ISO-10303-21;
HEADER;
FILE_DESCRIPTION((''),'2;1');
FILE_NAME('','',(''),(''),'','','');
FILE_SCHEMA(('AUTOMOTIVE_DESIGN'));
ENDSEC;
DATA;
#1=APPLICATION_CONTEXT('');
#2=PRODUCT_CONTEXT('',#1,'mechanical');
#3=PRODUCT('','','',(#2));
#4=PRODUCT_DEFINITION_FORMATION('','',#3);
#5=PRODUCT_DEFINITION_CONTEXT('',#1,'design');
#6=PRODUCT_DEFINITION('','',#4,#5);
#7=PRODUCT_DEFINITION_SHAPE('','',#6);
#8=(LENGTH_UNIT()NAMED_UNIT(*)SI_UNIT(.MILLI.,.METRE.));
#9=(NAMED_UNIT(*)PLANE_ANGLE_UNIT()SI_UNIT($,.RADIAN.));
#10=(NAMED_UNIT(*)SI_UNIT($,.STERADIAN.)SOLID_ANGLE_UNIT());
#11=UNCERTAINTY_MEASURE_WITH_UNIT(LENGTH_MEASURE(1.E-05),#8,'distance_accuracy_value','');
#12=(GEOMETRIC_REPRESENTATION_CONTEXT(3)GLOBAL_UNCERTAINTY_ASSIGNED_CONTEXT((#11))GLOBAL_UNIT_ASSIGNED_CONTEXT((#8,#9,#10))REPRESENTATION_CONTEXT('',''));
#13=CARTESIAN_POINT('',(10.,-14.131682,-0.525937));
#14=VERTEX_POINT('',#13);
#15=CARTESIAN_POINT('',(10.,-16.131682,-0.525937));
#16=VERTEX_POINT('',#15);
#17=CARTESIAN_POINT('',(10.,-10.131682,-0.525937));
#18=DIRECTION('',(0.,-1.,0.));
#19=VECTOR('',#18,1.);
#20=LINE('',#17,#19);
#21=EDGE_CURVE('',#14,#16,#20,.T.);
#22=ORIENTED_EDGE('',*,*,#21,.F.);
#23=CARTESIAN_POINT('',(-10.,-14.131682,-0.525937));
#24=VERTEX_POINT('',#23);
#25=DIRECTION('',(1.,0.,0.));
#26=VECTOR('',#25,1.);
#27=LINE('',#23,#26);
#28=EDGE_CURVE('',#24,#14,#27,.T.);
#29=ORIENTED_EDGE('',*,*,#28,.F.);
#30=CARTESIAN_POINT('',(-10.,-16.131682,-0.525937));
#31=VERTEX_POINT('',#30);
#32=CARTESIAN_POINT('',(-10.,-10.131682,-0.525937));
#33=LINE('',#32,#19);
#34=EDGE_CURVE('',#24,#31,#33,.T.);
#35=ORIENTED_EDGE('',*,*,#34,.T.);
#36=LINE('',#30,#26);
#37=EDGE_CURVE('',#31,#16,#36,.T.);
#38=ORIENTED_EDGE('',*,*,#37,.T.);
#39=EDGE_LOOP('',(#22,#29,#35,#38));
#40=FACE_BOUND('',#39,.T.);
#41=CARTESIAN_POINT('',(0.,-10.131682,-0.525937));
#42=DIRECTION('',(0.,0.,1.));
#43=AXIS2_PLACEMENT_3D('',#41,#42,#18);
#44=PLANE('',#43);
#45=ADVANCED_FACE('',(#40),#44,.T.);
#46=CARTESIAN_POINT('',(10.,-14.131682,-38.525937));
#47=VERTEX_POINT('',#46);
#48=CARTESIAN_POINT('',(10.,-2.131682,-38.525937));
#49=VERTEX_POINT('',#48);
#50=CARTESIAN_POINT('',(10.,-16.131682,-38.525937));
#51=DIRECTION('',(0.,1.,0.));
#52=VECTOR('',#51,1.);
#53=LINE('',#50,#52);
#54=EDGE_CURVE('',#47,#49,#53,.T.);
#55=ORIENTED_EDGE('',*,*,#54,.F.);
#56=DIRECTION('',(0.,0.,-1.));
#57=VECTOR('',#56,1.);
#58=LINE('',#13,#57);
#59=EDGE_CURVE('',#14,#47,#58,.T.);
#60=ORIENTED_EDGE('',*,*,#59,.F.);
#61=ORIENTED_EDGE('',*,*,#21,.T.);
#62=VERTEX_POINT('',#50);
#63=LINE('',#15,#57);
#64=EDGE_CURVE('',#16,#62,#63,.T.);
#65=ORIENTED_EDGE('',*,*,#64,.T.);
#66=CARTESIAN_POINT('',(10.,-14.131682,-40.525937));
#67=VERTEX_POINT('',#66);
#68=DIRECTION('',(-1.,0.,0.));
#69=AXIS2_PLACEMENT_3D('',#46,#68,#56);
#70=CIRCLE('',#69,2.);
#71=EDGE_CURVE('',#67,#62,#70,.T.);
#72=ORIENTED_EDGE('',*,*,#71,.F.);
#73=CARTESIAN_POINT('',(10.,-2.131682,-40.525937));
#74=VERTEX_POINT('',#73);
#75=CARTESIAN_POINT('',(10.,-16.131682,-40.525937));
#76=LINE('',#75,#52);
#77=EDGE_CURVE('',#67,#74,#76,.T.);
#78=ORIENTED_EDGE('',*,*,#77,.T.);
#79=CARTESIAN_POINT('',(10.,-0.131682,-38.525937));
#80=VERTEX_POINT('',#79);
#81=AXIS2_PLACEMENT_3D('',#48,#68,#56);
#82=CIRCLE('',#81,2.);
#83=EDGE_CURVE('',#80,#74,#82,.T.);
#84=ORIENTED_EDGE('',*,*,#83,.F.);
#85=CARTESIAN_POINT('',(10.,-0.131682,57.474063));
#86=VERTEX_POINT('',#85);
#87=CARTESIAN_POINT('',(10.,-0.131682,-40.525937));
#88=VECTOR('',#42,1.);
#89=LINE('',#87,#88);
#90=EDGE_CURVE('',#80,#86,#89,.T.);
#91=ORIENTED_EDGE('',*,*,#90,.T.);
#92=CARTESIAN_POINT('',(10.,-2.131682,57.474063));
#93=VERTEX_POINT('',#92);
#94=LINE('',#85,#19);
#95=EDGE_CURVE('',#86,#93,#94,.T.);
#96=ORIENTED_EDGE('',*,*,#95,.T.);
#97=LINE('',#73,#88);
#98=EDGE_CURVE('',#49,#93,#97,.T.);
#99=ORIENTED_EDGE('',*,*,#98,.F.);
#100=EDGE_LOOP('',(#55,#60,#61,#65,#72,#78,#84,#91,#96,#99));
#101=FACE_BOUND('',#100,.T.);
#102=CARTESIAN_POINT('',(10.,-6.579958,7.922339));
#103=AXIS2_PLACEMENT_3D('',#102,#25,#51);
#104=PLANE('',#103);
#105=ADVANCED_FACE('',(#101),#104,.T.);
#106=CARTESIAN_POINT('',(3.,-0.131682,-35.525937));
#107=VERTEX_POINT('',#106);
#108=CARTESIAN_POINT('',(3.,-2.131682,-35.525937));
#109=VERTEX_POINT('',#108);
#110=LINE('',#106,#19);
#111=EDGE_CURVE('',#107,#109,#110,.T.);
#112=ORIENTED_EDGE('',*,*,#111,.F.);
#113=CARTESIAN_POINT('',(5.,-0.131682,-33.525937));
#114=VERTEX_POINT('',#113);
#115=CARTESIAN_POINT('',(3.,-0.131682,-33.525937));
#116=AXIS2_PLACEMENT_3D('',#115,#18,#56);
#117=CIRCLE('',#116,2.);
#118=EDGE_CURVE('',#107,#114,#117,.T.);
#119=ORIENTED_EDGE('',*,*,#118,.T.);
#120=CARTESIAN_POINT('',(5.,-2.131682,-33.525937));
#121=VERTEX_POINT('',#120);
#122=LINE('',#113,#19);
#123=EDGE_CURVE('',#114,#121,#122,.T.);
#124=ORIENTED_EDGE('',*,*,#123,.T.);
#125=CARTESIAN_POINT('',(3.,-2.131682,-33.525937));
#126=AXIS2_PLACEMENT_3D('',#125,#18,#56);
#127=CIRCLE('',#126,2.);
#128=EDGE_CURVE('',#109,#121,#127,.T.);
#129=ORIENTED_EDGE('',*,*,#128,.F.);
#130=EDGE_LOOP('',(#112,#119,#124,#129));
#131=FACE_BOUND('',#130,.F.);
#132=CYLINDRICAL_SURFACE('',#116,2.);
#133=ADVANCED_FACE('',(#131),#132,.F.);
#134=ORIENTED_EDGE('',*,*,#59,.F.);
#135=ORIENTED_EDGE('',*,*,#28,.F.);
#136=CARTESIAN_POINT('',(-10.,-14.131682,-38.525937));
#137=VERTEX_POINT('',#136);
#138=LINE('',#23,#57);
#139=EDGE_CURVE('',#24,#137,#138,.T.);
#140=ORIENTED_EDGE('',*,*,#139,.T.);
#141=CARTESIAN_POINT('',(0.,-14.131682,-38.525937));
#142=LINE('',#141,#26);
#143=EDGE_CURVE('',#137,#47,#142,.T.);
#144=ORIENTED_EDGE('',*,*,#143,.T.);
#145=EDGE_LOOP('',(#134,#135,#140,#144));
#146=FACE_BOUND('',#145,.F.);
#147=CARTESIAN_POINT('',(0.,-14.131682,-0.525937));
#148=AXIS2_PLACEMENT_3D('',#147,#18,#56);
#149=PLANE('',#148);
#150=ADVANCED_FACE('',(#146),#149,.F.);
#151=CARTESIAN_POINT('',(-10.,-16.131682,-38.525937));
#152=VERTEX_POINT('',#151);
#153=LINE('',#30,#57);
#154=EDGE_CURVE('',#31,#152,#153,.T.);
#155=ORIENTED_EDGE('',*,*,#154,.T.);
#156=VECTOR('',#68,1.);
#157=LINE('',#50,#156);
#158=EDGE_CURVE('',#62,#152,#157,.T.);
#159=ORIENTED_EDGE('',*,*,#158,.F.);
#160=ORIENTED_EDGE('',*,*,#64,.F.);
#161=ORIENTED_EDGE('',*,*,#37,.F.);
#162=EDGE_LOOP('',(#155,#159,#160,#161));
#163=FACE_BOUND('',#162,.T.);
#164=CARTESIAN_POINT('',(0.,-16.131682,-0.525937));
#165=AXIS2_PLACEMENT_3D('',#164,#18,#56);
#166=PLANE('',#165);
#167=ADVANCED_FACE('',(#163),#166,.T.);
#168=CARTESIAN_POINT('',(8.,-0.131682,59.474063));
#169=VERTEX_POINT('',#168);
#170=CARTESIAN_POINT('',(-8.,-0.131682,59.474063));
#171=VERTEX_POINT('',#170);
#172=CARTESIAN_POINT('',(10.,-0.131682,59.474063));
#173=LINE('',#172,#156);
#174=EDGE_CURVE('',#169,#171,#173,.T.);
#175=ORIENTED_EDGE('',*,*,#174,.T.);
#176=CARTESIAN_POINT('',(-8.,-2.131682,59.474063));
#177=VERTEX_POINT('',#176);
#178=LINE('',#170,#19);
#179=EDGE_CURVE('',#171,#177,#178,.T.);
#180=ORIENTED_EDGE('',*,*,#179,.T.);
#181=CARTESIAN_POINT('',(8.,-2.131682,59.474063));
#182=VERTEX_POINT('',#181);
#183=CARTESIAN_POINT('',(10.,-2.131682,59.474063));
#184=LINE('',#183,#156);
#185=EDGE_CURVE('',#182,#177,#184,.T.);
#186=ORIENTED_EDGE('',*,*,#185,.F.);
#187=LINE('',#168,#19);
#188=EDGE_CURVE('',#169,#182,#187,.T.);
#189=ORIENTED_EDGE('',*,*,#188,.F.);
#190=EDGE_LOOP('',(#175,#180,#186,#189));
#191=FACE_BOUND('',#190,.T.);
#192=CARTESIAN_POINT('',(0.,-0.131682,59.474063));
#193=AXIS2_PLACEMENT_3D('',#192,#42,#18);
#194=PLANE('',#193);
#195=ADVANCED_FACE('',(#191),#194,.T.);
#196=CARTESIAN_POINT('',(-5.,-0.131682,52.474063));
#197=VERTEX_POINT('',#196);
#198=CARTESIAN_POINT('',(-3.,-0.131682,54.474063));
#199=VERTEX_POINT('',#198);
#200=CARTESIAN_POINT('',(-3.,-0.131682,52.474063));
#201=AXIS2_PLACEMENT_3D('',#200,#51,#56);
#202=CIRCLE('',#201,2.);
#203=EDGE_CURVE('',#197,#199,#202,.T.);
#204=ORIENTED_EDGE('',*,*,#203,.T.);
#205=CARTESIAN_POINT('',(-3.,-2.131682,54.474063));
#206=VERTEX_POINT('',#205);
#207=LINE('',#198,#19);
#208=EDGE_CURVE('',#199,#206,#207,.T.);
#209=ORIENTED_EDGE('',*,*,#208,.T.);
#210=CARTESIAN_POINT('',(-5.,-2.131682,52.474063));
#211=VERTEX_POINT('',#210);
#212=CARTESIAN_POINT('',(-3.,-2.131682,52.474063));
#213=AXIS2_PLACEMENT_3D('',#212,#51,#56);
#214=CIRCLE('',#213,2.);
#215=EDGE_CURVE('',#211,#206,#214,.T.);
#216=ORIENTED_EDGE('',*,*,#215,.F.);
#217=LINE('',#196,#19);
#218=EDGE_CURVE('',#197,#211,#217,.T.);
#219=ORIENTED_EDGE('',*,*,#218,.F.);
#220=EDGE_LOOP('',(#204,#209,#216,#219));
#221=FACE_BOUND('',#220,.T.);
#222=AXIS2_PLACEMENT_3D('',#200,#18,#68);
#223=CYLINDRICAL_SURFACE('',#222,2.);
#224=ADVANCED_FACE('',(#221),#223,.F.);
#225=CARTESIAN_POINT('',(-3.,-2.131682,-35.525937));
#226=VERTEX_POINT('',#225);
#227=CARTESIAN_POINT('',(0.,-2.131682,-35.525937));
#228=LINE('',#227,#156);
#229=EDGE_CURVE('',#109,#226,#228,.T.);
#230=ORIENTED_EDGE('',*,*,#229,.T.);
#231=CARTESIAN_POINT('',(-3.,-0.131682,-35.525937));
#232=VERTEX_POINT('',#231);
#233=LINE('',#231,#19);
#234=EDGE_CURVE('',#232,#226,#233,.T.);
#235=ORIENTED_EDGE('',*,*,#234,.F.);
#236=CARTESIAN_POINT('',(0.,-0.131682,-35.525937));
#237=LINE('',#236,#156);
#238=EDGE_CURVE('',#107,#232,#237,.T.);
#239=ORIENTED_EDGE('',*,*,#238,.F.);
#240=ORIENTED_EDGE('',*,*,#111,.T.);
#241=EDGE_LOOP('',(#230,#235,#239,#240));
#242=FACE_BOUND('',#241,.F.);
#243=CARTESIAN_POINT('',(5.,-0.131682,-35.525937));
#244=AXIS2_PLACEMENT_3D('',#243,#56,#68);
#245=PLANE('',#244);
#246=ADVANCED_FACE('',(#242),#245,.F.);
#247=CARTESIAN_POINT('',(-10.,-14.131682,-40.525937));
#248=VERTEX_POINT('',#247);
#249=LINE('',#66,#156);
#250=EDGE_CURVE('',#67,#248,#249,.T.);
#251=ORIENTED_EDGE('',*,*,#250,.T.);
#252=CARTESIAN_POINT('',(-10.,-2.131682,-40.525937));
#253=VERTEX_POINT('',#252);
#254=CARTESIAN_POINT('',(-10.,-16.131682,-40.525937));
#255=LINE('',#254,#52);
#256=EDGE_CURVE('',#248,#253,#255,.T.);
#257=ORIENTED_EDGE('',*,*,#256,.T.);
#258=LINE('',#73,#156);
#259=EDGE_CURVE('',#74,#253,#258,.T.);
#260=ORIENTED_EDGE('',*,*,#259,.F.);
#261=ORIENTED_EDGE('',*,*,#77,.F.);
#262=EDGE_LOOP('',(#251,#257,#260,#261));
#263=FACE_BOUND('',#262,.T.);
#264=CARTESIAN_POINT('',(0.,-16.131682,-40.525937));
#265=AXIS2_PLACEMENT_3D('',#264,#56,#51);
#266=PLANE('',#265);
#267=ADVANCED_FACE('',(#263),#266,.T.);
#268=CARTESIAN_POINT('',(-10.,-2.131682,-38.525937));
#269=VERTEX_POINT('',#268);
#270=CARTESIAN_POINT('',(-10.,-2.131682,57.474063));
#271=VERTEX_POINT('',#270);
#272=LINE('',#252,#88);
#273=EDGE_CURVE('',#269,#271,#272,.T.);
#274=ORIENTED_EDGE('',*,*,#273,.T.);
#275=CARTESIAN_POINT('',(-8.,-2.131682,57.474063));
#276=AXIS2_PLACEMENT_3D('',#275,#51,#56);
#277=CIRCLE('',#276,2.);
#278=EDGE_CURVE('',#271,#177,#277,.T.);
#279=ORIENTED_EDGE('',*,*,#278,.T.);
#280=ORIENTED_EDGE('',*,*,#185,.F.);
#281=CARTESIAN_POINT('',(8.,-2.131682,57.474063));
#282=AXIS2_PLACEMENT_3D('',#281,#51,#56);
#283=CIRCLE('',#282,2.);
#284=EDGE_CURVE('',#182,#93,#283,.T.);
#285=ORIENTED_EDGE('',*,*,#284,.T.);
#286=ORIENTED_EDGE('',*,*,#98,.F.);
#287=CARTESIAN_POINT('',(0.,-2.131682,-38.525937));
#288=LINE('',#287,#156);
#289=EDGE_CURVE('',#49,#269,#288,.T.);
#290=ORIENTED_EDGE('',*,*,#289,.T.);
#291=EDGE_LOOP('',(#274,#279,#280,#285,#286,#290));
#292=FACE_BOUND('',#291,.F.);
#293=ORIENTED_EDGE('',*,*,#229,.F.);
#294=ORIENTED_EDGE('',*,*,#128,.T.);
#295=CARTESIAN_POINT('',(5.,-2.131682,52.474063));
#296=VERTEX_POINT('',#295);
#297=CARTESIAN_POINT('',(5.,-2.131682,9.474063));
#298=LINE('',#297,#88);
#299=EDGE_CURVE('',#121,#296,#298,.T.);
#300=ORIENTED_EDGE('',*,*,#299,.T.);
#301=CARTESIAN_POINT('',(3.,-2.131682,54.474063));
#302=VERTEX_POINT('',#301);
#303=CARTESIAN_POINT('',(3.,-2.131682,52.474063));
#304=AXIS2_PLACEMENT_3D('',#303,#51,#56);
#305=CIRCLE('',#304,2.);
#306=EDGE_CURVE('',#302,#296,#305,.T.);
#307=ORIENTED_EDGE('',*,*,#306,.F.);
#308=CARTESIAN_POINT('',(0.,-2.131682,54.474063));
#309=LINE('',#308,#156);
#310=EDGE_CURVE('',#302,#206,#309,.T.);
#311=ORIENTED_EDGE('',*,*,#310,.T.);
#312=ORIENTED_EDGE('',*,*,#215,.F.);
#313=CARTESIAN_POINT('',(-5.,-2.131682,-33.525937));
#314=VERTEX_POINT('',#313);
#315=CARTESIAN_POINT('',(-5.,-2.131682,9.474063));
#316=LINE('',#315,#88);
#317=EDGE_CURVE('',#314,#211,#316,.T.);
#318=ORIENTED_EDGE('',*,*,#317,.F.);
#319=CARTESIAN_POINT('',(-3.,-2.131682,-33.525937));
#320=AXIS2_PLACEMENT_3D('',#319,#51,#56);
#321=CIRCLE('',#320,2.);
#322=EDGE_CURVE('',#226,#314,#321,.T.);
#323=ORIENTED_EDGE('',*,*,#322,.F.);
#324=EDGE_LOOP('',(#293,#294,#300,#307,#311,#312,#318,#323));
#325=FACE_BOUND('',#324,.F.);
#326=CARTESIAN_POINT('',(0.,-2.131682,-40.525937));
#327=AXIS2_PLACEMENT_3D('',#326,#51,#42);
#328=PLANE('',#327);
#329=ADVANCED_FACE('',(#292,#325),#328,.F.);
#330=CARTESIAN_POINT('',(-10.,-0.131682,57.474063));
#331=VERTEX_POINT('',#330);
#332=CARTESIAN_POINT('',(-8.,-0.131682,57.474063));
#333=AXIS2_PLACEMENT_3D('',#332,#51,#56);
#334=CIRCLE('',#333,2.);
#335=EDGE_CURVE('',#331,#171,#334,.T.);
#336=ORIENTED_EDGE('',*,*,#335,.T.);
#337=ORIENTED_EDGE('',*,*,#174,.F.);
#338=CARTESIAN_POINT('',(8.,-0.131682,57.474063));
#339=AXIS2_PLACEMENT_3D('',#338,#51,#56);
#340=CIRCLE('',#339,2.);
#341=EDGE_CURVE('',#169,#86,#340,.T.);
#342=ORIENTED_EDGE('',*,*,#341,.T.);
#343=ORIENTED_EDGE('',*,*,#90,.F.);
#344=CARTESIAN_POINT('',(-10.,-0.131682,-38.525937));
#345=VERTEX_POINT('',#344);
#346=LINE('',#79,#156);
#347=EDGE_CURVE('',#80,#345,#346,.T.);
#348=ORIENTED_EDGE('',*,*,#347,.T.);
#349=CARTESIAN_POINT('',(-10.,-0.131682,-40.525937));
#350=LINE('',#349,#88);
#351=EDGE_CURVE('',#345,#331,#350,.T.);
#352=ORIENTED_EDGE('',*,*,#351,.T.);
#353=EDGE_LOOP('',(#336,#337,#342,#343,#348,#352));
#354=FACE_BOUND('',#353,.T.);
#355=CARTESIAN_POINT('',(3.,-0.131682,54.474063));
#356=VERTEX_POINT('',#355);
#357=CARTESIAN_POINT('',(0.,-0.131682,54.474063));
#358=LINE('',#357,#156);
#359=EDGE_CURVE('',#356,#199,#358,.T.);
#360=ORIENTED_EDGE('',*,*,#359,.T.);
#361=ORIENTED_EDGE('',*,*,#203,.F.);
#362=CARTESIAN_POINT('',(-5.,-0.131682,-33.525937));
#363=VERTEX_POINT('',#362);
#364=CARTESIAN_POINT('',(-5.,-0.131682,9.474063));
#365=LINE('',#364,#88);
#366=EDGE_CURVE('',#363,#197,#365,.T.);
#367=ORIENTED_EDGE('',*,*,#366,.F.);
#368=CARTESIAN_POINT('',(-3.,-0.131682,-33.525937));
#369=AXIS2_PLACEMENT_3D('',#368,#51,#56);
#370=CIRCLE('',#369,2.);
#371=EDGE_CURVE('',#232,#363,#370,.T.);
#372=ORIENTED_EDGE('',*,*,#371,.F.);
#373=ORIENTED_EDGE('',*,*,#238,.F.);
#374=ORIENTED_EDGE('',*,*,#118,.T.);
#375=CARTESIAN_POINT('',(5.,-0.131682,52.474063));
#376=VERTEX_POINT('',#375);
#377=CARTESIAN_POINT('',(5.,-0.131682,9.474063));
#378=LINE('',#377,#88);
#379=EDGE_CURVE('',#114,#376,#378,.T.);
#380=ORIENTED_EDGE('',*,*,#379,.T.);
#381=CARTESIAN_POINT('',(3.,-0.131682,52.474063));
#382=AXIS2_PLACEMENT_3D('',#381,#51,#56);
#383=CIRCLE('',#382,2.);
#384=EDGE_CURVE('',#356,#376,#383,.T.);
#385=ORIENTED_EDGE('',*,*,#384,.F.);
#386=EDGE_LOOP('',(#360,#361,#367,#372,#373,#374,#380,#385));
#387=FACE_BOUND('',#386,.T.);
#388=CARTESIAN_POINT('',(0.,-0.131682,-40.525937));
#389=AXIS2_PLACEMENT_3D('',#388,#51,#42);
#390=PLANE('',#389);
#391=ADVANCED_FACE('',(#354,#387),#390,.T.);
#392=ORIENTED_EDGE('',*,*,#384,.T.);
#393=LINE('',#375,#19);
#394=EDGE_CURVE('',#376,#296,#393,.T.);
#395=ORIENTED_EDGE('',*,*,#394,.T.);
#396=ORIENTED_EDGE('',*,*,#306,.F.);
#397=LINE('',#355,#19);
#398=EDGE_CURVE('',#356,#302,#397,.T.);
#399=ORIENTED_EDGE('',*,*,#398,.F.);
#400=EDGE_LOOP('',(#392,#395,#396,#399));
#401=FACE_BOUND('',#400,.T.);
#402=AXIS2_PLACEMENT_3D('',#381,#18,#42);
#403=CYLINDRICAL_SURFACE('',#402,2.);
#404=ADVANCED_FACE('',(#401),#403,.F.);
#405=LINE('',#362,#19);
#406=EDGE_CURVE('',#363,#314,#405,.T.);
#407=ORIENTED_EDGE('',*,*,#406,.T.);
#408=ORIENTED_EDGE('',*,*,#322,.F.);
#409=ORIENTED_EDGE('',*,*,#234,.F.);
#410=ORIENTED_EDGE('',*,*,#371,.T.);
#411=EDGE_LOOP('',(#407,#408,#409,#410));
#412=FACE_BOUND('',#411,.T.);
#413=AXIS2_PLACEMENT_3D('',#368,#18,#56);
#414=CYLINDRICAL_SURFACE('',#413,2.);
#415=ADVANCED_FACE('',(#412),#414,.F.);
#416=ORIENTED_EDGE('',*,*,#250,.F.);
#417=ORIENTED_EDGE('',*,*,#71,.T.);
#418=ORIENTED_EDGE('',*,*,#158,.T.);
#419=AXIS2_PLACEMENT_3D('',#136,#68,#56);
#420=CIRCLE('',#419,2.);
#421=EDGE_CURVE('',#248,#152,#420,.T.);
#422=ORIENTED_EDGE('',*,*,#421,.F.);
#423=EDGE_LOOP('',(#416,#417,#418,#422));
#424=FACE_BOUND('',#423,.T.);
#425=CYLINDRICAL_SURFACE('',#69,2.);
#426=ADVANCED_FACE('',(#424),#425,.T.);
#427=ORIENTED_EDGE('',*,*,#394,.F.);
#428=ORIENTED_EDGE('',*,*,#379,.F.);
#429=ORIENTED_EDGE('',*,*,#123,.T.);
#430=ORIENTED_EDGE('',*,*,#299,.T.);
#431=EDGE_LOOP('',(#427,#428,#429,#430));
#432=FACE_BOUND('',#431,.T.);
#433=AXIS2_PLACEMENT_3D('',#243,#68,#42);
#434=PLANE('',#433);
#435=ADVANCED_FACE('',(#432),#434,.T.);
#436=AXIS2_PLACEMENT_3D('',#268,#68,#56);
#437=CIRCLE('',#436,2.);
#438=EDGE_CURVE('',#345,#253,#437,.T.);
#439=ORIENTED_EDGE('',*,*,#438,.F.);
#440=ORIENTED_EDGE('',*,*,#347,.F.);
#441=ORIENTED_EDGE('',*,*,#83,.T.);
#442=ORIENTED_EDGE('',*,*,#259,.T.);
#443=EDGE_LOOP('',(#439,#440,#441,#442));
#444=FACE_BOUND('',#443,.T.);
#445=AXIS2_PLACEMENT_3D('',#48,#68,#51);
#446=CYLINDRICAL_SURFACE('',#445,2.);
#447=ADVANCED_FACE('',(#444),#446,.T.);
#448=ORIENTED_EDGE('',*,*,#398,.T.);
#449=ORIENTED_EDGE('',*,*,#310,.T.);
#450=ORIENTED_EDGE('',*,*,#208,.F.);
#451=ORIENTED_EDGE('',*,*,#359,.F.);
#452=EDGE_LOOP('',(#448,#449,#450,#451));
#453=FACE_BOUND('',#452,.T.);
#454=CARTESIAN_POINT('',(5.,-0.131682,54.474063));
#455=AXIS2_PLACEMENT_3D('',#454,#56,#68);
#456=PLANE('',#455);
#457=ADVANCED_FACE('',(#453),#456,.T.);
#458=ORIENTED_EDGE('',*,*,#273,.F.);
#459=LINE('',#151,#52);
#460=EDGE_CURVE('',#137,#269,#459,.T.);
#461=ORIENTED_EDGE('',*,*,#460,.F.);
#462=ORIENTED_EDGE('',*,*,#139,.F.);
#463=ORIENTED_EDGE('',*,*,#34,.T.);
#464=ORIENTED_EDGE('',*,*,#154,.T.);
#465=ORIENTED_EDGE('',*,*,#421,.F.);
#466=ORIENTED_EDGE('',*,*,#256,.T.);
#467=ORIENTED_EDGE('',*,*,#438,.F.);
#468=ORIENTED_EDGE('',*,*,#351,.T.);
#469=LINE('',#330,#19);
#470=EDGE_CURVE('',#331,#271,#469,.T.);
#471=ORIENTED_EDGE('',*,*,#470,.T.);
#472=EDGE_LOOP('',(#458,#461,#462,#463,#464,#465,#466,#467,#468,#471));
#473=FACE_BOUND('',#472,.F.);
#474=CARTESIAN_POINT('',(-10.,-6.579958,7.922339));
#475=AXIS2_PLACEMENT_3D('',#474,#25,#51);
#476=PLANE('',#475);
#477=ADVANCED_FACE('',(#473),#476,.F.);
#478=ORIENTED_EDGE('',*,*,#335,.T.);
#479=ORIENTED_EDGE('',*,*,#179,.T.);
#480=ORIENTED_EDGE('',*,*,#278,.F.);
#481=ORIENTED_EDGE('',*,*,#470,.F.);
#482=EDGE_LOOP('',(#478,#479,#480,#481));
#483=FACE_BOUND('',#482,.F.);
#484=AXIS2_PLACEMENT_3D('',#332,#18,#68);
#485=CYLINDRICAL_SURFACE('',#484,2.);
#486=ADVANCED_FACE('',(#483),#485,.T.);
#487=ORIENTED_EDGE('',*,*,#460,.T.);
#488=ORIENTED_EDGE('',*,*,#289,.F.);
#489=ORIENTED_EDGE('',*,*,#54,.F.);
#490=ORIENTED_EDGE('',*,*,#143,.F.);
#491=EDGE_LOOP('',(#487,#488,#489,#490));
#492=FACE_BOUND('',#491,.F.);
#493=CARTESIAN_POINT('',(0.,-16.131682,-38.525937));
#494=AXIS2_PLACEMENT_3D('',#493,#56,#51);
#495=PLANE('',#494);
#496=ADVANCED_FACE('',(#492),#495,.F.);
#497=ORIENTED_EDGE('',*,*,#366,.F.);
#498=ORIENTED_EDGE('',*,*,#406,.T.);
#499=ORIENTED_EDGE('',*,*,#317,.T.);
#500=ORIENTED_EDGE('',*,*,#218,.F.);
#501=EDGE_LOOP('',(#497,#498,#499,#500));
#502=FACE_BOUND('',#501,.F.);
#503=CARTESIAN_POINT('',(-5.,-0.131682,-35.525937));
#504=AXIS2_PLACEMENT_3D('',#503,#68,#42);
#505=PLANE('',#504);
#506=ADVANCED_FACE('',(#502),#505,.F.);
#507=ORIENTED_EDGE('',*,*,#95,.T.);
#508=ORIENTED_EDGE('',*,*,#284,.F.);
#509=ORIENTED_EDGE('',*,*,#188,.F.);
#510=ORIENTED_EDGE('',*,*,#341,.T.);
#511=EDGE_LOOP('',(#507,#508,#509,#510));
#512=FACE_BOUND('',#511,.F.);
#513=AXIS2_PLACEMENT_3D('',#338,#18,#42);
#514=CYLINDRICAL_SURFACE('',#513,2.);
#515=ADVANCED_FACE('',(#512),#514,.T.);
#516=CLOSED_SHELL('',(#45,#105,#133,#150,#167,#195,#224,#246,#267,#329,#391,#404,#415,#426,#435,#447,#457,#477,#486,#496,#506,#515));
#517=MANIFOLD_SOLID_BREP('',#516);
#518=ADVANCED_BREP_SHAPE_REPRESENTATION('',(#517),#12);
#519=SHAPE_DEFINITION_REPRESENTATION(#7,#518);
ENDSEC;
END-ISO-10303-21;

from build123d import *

# Parameters (mm, degrees)
F1_DEPTH = 10
F2_T     = -2
F3_W     = 10
F3_H     = 90
F4_DEPTH = 2
F5_R     = 2


with BuildPart() as f1:
    # F0 (on Right) → F1 (new body, symmetric)
    with BuildSketch(Plane.YZ):
        Polygon((-0.131682, 59.474063), (-10.131682, 59.474063), (-10.131682, -0.525937), (-16.131682, -0.525937), (-16.131682, -40.525937), (-0.131682, -40.525937), align=None)
    extrude(amount=F1_DEPTH, both=True)

    # F2
    f2_openings = [f1.faces().sort_by_distance(p)[0] for p in [
        (0, -13.131682, -0.525937),
        (0, -10.131682, 29.474063),
        (0, -5.131682, 59.474063),
        (10, -6.680069, 3.667611),
        (-10, -6.680069, 3.667611),
    ]]
    offset(amount=F2_T, openings=f2_openings)

    # F3 (on face) → F4 (cut)
    with BuildSketch(Plane(origin=(0, -0.131682, 0), x_dir=(-1, 0, 0), z_dir=(0, 1, 0))):
        with Locations((0, 9.474063)):
            Rectangle(F3_W, F3_H)
    extrude(amount=-F4_DEPTH, mode=Mode.SUBTRACT)

    # F5
    f5_edges = [f1.edges().sort_by_distance(p)[0] for p in [
        (10, -1.131682, 59.474063),
        (-10, -1.131682, 59.474063),
        (-5, -1.131682, 54.474063),
        (5, -1.131682, 54.474063),
        (0, -0.131682, -40.525937),
        (0, -16.131682, -40.525937),
        (-5, -1.131682, -35.525937),
        (5, -1.131682, -35.525937),
    ]]
    fillet(f5_edges, radius=F5_R)


solid = f1.part
